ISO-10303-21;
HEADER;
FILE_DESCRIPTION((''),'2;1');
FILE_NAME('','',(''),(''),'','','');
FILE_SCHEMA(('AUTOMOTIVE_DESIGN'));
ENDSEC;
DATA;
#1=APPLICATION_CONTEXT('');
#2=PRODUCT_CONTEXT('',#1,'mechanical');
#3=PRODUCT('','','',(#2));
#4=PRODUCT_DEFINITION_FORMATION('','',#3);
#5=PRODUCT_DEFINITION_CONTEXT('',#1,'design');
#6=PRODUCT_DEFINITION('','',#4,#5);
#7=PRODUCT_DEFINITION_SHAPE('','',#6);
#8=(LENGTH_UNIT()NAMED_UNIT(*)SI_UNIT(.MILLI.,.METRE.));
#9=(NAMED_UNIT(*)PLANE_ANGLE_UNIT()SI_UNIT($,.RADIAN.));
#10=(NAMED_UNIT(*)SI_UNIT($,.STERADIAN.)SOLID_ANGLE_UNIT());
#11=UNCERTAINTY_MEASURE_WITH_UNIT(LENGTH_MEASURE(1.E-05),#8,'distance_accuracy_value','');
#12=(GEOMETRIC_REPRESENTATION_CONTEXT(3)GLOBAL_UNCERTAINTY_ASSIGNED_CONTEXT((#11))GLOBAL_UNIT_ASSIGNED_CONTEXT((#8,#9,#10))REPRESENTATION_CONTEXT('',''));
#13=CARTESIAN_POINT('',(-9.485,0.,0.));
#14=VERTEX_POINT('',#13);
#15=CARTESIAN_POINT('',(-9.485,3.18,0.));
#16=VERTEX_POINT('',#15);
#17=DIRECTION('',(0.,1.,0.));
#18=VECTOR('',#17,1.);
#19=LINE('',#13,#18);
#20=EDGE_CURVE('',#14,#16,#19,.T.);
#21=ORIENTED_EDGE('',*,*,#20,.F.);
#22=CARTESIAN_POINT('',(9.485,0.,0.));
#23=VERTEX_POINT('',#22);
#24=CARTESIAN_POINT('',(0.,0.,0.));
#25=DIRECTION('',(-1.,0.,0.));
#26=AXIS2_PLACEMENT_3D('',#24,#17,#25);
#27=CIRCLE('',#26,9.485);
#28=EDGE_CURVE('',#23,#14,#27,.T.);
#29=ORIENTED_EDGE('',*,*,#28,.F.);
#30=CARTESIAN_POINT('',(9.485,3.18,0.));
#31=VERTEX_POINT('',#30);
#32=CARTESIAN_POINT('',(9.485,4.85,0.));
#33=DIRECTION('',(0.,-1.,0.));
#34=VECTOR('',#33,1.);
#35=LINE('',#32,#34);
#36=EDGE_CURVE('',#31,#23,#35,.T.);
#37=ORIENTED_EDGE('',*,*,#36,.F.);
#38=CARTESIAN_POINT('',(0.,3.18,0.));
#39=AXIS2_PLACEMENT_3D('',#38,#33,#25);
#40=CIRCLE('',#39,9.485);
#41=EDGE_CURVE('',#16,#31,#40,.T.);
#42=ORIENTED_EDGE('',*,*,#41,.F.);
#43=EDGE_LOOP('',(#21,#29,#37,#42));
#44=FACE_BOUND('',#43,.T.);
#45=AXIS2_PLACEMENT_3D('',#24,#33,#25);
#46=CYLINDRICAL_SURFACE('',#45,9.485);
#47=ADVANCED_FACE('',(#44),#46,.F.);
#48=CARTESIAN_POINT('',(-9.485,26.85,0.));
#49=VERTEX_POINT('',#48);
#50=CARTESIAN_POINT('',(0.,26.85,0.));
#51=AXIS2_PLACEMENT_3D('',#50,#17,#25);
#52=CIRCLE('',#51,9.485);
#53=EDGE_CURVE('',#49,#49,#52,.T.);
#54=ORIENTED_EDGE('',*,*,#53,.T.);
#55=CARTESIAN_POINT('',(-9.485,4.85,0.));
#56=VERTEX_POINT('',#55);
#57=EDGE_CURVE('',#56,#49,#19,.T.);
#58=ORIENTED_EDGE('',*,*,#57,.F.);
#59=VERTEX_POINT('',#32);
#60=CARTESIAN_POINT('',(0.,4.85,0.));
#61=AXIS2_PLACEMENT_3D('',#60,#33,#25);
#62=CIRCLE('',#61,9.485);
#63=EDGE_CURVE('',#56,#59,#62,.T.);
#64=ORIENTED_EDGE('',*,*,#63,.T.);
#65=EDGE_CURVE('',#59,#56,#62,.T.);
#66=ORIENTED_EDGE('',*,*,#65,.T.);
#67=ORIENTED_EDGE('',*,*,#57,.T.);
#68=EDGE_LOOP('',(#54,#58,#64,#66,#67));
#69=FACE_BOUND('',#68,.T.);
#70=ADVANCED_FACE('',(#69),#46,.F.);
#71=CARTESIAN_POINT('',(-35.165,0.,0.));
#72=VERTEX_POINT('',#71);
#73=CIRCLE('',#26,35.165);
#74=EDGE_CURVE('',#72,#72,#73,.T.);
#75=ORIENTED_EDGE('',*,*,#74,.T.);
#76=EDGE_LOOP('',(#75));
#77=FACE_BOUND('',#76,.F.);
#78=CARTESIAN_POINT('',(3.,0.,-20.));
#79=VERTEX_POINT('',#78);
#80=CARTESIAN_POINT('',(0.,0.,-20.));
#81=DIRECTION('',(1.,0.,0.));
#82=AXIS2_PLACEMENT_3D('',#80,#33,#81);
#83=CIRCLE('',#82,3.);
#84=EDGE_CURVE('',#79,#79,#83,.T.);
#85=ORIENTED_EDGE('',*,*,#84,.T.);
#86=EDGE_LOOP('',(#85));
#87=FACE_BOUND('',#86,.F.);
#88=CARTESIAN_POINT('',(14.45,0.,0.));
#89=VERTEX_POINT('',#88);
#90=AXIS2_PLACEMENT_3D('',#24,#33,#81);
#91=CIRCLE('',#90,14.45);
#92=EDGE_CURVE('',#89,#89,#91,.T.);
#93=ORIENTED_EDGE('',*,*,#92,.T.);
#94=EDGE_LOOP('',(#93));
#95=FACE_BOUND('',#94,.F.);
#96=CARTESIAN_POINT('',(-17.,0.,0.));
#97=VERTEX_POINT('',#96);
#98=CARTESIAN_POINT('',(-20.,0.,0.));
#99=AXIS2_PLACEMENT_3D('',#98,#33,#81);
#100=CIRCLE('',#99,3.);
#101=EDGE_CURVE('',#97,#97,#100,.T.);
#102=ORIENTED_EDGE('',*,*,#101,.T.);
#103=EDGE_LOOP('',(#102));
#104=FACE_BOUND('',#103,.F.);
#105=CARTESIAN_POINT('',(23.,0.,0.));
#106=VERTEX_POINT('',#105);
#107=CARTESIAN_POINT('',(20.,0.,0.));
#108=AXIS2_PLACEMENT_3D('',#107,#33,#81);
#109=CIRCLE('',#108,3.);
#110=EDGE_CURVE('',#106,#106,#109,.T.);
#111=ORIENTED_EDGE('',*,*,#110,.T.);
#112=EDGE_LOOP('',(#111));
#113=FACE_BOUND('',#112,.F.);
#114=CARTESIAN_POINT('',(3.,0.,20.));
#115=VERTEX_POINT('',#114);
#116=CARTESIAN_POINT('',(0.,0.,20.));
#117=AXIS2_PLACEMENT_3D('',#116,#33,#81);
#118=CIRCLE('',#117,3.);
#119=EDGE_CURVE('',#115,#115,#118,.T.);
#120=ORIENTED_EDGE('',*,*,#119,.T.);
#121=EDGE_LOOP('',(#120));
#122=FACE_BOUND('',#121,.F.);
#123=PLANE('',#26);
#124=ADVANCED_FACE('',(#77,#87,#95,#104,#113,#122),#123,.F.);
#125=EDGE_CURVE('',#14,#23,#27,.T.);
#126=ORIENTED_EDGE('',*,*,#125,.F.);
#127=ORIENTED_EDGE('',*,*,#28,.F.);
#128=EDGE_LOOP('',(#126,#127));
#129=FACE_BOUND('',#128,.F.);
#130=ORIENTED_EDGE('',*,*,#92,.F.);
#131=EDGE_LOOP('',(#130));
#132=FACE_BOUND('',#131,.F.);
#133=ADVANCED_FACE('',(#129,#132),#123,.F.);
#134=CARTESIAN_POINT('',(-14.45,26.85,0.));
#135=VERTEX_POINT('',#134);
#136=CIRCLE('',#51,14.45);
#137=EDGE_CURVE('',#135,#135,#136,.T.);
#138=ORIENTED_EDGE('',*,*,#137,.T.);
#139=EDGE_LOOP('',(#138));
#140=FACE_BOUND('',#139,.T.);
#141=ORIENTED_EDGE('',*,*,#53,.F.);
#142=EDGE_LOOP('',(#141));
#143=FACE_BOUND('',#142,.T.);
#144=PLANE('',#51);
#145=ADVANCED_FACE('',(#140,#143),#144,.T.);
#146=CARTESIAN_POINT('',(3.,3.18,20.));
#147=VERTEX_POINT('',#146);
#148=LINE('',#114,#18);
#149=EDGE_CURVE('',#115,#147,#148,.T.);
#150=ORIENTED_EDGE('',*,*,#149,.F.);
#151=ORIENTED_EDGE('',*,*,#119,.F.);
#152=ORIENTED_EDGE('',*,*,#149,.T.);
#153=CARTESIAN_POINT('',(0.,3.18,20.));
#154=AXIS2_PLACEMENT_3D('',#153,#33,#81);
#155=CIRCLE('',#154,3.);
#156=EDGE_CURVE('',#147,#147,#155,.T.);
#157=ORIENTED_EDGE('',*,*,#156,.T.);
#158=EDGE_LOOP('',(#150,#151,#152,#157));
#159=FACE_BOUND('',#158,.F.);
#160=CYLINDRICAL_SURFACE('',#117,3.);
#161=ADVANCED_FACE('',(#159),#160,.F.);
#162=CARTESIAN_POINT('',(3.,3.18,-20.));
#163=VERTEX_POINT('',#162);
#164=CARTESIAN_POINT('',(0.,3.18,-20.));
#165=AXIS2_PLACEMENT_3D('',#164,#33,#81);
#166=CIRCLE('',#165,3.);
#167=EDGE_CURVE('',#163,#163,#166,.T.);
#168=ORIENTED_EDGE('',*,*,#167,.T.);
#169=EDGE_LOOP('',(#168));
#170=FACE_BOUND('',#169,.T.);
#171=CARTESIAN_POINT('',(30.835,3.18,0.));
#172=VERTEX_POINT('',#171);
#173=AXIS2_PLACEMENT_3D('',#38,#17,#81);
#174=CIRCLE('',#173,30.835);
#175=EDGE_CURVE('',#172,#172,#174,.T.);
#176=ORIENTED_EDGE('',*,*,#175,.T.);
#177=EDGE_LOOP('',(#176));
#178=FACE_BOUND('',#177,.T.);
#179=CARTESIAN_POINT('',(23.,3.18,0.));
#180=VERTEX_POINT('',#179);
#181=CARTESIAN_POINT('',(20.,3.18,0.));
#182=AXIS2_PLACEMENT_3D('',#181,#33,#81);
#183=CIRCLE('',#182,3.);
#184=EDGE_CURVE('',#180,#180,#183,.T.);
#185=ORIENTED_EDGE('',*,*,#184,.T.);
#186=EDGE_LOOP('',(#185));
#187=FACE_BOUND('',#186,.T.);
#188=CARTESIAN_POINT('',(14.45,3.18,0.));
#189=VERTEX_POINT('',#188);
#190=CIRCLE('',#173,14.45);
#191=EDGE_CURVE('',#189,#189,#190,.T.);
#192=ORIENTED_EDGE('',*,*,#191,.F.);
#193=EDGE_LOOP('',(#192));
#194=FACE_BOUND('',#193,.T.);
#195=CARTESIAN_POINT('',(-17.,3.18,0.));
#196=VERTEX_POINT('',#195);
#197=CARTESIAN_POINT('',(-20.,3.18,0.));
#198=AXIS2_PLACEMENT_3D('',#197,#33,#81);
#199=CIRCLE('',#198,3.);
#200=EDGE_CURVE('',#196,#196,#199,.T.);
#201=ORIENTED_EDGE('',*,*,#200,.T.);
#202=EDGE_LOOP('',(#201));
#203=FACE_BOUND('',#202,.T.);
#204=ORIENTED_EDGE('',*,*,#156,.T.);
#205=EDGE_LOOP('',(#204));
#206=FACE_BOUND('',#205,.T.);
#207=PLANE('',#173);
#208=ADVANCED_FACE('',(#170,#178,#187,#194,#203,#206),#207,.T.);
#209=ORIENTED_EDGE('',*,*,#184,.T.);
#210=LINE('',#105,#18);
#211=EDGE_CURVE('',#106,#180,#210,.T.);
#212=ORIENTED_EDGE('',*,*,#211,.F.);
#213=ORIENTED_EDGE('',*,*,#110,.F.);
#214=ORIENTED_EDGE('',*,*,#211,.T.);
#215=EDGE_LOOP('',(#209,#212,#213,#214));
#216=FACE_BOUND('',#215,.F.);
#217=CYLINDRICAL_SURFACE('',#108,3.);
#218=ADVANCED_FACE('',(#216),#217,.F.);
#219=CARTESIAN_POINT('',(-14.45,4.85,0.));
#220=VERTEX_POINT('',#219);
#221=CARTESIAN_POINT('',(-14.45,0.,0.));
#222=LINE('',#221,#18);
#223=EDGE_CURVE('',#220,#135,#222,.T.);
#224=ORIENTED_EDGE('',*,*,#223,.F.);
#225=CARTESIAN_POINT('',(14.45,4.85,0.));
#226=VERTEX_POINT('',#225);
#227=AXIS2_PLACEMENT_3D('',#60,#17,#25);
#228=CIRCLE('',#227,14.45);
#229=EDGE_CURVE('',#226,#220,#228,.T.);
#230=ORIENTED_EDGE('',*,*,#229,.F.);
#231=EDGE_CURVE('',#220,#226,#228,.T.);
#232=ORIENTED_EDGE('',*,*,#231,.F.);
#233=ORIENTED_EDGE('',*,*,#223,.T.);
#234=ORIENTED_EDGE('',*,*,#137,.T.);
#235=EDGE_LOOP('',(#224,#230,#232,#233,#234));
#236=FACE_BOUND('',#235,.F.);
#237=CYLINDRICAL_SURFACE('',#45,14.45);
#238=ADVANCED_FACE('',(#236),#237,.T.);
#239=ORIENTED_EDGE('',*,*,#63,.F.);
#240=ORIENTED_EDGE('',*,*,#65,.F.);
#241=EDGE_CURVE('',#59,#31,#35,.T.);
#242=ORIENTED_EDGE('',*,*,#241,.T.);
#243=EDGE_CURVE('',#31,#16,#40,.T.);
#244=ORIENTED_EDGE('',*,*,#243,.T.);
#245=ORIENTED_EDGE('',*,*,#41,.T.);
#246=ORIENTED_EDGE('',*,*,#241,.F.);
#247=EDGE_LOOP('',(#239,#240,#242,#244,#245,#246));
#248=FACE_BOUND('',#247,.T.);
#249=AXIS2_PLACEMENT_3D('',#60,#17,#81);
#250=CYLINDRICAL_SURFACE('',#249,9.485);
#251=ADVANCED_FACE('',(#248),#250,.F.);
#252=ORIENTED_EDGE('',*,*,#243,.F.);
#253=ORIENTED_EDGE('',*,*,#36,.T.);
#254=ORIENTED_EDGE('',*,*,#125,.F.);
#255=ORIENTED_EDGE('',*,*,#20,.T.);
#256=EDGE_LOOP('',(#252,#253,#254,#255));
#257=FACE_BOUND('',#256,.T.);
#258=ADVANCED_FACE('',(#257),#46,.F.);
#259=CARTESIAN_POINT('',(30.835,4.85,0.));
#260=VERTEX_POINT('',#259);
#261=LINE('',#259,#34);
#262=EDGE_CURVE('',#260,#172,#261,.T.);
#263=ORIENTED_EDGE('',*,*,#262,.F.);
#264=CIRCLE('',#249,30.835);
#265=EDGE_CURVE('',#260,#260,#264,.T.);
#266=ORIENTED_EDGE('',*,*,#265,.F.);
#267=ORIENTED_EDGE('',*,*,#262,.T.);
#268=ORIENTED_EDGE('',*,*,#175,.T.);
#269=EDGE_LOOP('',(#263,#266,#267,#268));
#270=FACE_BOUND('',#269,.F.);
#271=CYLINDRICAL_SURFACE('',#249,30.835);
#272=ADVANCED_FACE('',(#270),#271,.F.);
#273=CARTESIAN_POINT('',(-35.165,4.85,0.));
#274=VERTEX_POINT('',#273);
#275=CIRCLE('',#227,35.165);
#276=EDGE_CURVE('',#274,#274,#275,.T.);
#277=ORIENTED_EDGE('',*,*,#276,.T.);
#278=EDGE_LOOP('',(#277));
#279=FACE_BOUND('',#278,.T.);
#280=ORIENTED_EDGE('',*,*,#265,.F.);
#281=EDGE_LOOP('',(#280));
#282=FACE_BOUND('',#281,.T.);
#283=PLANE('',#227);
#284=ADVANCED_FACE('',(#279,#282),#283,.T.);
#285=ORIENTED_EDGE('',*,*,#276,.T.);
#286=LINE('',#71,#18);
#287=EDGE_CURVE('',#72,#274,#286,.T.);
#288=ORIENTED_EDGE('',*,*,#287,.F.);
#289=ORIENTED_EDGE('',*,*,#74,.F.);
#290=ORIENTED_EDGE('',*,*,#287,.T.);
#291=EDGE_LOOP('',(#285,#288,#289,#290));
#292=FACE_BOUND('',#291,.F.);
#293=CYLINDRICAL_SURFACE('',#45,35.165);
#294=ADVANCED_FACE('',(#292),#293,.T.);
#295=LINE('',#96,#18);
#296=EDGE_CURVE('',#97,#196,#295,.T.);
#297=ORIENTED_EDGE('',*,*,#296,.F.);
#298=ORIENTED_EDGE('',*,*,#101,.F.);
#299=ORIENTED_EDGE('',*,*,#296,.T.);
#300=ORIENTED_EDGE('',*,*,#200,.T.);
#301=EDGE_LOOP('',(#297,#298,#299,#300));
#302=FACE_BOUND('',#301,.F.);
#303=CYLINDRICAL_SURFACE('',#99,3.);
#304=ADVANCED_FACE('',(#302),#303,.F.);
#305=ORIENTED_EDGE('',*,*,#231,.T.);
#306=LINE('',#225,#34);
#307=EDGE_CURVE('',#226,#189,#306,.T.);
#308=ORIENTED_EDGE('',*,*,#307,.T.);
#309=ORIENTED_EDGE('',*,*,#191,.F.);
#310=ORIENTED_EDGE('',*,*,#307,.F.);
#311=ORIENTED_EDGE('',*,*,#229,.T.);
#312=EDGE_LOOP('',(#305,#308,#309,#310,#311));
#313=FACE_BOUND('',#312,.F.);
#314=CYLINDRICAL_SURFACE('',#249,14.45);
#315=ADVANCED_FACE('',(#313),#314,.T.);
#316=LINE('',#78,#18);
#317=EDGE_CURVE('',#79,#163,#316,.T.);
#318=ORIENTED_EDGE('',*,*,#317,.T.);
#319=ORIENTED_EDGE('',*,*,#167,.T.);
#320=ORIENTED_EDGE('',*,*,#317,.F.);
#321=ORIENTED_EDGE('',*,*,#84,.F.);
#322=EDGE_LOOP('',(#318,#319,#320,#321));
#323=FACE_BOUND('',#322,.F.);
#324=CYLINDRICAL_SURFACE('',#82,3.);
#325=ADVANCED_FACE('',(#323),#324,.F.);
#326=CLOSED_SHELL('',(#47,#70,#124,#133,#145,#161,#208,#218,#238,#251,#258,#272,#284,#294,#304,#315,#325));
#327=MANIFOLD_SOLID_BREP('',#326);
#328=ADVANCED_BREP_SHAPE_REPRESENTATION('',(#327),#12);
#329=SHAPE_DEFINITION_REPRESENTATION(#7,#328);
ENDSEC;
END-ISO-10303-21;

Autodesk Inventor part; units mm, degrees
ref_plane "YZ Plane" through (0, 0, 0) normal (1, 0, 0) x (0, 1, 0)
ref_plane "XZ Plane" through (0, 0, 0) normal (0, 1, 0) x (-1, 0, 0)
ref_plane "XY Plane" through (0, 0, 0) normal (0, 0, 1) x (1, 0, 0)
sketch "Boceto1" plane through (0, 0, 0) normal (0, 1, 0) x (-1, 0, 0)
  circle A0 centre (0, 0) radius 35.165
  circle A1 centre (0, 0) radius 9.485
  circle A2 centre (0, 0) radius 14.45
  dimension "d0" = 70.33
  dimension "d23" = 18.97
  dimension "d24" = 28.9
extrude "Extrusión1" add sketch "Boceto1" along normal blind 26.85 contours A2
extrude "Extrusión2" add sketch "Boceto1" along normal blind 4.85 contours A0
thread "Rosca1" size "M20x2.5" class "6H" standard "ANSI Metric M Profile" full length
sketch "Boceto2" plane through (0, 4.85, 0) normal (0, 1, 0) x (1, 0, 0)
  circle A0 centre (0, 0) radius 30.835
  dimension "d9" = 61.67
extrude "Extrusión3" cut sketch "Boceto2" against normal blind 1.67
sketch "Boceto3" plane through (0, 4.85, 0) normal (0, -1, 0) x (1, 0, 0)
  circle A0 centre (0, 0) radius 14.45 projected
  circle A1 centre (0, 0) radius 9.485 projected
extrude "Extrusión4" add sketch "Boceto3" along normal through all
sketch "Boceto4" plane through (0, 0, 0) normal (0, -1, 0) x (1, 0, 0)
  circle A0 centre (-20, 0) radius 3
  circle A1 centre (0, -20) radius 3
  circle A2 centre (20, 0) radius 3
  circle A3 centre (0, 20) radius 3
  point P0 (0, 0)
  dimension "d14" = 6
  dimension "d15" = 20
  dimension "d16" = 0
  dimension "d19" = 360
extrude "Extrusión5" cut sketch "Boceto4" against normal blind 26.85
properties part number "Flanche" material "PVC, no plastificado"
